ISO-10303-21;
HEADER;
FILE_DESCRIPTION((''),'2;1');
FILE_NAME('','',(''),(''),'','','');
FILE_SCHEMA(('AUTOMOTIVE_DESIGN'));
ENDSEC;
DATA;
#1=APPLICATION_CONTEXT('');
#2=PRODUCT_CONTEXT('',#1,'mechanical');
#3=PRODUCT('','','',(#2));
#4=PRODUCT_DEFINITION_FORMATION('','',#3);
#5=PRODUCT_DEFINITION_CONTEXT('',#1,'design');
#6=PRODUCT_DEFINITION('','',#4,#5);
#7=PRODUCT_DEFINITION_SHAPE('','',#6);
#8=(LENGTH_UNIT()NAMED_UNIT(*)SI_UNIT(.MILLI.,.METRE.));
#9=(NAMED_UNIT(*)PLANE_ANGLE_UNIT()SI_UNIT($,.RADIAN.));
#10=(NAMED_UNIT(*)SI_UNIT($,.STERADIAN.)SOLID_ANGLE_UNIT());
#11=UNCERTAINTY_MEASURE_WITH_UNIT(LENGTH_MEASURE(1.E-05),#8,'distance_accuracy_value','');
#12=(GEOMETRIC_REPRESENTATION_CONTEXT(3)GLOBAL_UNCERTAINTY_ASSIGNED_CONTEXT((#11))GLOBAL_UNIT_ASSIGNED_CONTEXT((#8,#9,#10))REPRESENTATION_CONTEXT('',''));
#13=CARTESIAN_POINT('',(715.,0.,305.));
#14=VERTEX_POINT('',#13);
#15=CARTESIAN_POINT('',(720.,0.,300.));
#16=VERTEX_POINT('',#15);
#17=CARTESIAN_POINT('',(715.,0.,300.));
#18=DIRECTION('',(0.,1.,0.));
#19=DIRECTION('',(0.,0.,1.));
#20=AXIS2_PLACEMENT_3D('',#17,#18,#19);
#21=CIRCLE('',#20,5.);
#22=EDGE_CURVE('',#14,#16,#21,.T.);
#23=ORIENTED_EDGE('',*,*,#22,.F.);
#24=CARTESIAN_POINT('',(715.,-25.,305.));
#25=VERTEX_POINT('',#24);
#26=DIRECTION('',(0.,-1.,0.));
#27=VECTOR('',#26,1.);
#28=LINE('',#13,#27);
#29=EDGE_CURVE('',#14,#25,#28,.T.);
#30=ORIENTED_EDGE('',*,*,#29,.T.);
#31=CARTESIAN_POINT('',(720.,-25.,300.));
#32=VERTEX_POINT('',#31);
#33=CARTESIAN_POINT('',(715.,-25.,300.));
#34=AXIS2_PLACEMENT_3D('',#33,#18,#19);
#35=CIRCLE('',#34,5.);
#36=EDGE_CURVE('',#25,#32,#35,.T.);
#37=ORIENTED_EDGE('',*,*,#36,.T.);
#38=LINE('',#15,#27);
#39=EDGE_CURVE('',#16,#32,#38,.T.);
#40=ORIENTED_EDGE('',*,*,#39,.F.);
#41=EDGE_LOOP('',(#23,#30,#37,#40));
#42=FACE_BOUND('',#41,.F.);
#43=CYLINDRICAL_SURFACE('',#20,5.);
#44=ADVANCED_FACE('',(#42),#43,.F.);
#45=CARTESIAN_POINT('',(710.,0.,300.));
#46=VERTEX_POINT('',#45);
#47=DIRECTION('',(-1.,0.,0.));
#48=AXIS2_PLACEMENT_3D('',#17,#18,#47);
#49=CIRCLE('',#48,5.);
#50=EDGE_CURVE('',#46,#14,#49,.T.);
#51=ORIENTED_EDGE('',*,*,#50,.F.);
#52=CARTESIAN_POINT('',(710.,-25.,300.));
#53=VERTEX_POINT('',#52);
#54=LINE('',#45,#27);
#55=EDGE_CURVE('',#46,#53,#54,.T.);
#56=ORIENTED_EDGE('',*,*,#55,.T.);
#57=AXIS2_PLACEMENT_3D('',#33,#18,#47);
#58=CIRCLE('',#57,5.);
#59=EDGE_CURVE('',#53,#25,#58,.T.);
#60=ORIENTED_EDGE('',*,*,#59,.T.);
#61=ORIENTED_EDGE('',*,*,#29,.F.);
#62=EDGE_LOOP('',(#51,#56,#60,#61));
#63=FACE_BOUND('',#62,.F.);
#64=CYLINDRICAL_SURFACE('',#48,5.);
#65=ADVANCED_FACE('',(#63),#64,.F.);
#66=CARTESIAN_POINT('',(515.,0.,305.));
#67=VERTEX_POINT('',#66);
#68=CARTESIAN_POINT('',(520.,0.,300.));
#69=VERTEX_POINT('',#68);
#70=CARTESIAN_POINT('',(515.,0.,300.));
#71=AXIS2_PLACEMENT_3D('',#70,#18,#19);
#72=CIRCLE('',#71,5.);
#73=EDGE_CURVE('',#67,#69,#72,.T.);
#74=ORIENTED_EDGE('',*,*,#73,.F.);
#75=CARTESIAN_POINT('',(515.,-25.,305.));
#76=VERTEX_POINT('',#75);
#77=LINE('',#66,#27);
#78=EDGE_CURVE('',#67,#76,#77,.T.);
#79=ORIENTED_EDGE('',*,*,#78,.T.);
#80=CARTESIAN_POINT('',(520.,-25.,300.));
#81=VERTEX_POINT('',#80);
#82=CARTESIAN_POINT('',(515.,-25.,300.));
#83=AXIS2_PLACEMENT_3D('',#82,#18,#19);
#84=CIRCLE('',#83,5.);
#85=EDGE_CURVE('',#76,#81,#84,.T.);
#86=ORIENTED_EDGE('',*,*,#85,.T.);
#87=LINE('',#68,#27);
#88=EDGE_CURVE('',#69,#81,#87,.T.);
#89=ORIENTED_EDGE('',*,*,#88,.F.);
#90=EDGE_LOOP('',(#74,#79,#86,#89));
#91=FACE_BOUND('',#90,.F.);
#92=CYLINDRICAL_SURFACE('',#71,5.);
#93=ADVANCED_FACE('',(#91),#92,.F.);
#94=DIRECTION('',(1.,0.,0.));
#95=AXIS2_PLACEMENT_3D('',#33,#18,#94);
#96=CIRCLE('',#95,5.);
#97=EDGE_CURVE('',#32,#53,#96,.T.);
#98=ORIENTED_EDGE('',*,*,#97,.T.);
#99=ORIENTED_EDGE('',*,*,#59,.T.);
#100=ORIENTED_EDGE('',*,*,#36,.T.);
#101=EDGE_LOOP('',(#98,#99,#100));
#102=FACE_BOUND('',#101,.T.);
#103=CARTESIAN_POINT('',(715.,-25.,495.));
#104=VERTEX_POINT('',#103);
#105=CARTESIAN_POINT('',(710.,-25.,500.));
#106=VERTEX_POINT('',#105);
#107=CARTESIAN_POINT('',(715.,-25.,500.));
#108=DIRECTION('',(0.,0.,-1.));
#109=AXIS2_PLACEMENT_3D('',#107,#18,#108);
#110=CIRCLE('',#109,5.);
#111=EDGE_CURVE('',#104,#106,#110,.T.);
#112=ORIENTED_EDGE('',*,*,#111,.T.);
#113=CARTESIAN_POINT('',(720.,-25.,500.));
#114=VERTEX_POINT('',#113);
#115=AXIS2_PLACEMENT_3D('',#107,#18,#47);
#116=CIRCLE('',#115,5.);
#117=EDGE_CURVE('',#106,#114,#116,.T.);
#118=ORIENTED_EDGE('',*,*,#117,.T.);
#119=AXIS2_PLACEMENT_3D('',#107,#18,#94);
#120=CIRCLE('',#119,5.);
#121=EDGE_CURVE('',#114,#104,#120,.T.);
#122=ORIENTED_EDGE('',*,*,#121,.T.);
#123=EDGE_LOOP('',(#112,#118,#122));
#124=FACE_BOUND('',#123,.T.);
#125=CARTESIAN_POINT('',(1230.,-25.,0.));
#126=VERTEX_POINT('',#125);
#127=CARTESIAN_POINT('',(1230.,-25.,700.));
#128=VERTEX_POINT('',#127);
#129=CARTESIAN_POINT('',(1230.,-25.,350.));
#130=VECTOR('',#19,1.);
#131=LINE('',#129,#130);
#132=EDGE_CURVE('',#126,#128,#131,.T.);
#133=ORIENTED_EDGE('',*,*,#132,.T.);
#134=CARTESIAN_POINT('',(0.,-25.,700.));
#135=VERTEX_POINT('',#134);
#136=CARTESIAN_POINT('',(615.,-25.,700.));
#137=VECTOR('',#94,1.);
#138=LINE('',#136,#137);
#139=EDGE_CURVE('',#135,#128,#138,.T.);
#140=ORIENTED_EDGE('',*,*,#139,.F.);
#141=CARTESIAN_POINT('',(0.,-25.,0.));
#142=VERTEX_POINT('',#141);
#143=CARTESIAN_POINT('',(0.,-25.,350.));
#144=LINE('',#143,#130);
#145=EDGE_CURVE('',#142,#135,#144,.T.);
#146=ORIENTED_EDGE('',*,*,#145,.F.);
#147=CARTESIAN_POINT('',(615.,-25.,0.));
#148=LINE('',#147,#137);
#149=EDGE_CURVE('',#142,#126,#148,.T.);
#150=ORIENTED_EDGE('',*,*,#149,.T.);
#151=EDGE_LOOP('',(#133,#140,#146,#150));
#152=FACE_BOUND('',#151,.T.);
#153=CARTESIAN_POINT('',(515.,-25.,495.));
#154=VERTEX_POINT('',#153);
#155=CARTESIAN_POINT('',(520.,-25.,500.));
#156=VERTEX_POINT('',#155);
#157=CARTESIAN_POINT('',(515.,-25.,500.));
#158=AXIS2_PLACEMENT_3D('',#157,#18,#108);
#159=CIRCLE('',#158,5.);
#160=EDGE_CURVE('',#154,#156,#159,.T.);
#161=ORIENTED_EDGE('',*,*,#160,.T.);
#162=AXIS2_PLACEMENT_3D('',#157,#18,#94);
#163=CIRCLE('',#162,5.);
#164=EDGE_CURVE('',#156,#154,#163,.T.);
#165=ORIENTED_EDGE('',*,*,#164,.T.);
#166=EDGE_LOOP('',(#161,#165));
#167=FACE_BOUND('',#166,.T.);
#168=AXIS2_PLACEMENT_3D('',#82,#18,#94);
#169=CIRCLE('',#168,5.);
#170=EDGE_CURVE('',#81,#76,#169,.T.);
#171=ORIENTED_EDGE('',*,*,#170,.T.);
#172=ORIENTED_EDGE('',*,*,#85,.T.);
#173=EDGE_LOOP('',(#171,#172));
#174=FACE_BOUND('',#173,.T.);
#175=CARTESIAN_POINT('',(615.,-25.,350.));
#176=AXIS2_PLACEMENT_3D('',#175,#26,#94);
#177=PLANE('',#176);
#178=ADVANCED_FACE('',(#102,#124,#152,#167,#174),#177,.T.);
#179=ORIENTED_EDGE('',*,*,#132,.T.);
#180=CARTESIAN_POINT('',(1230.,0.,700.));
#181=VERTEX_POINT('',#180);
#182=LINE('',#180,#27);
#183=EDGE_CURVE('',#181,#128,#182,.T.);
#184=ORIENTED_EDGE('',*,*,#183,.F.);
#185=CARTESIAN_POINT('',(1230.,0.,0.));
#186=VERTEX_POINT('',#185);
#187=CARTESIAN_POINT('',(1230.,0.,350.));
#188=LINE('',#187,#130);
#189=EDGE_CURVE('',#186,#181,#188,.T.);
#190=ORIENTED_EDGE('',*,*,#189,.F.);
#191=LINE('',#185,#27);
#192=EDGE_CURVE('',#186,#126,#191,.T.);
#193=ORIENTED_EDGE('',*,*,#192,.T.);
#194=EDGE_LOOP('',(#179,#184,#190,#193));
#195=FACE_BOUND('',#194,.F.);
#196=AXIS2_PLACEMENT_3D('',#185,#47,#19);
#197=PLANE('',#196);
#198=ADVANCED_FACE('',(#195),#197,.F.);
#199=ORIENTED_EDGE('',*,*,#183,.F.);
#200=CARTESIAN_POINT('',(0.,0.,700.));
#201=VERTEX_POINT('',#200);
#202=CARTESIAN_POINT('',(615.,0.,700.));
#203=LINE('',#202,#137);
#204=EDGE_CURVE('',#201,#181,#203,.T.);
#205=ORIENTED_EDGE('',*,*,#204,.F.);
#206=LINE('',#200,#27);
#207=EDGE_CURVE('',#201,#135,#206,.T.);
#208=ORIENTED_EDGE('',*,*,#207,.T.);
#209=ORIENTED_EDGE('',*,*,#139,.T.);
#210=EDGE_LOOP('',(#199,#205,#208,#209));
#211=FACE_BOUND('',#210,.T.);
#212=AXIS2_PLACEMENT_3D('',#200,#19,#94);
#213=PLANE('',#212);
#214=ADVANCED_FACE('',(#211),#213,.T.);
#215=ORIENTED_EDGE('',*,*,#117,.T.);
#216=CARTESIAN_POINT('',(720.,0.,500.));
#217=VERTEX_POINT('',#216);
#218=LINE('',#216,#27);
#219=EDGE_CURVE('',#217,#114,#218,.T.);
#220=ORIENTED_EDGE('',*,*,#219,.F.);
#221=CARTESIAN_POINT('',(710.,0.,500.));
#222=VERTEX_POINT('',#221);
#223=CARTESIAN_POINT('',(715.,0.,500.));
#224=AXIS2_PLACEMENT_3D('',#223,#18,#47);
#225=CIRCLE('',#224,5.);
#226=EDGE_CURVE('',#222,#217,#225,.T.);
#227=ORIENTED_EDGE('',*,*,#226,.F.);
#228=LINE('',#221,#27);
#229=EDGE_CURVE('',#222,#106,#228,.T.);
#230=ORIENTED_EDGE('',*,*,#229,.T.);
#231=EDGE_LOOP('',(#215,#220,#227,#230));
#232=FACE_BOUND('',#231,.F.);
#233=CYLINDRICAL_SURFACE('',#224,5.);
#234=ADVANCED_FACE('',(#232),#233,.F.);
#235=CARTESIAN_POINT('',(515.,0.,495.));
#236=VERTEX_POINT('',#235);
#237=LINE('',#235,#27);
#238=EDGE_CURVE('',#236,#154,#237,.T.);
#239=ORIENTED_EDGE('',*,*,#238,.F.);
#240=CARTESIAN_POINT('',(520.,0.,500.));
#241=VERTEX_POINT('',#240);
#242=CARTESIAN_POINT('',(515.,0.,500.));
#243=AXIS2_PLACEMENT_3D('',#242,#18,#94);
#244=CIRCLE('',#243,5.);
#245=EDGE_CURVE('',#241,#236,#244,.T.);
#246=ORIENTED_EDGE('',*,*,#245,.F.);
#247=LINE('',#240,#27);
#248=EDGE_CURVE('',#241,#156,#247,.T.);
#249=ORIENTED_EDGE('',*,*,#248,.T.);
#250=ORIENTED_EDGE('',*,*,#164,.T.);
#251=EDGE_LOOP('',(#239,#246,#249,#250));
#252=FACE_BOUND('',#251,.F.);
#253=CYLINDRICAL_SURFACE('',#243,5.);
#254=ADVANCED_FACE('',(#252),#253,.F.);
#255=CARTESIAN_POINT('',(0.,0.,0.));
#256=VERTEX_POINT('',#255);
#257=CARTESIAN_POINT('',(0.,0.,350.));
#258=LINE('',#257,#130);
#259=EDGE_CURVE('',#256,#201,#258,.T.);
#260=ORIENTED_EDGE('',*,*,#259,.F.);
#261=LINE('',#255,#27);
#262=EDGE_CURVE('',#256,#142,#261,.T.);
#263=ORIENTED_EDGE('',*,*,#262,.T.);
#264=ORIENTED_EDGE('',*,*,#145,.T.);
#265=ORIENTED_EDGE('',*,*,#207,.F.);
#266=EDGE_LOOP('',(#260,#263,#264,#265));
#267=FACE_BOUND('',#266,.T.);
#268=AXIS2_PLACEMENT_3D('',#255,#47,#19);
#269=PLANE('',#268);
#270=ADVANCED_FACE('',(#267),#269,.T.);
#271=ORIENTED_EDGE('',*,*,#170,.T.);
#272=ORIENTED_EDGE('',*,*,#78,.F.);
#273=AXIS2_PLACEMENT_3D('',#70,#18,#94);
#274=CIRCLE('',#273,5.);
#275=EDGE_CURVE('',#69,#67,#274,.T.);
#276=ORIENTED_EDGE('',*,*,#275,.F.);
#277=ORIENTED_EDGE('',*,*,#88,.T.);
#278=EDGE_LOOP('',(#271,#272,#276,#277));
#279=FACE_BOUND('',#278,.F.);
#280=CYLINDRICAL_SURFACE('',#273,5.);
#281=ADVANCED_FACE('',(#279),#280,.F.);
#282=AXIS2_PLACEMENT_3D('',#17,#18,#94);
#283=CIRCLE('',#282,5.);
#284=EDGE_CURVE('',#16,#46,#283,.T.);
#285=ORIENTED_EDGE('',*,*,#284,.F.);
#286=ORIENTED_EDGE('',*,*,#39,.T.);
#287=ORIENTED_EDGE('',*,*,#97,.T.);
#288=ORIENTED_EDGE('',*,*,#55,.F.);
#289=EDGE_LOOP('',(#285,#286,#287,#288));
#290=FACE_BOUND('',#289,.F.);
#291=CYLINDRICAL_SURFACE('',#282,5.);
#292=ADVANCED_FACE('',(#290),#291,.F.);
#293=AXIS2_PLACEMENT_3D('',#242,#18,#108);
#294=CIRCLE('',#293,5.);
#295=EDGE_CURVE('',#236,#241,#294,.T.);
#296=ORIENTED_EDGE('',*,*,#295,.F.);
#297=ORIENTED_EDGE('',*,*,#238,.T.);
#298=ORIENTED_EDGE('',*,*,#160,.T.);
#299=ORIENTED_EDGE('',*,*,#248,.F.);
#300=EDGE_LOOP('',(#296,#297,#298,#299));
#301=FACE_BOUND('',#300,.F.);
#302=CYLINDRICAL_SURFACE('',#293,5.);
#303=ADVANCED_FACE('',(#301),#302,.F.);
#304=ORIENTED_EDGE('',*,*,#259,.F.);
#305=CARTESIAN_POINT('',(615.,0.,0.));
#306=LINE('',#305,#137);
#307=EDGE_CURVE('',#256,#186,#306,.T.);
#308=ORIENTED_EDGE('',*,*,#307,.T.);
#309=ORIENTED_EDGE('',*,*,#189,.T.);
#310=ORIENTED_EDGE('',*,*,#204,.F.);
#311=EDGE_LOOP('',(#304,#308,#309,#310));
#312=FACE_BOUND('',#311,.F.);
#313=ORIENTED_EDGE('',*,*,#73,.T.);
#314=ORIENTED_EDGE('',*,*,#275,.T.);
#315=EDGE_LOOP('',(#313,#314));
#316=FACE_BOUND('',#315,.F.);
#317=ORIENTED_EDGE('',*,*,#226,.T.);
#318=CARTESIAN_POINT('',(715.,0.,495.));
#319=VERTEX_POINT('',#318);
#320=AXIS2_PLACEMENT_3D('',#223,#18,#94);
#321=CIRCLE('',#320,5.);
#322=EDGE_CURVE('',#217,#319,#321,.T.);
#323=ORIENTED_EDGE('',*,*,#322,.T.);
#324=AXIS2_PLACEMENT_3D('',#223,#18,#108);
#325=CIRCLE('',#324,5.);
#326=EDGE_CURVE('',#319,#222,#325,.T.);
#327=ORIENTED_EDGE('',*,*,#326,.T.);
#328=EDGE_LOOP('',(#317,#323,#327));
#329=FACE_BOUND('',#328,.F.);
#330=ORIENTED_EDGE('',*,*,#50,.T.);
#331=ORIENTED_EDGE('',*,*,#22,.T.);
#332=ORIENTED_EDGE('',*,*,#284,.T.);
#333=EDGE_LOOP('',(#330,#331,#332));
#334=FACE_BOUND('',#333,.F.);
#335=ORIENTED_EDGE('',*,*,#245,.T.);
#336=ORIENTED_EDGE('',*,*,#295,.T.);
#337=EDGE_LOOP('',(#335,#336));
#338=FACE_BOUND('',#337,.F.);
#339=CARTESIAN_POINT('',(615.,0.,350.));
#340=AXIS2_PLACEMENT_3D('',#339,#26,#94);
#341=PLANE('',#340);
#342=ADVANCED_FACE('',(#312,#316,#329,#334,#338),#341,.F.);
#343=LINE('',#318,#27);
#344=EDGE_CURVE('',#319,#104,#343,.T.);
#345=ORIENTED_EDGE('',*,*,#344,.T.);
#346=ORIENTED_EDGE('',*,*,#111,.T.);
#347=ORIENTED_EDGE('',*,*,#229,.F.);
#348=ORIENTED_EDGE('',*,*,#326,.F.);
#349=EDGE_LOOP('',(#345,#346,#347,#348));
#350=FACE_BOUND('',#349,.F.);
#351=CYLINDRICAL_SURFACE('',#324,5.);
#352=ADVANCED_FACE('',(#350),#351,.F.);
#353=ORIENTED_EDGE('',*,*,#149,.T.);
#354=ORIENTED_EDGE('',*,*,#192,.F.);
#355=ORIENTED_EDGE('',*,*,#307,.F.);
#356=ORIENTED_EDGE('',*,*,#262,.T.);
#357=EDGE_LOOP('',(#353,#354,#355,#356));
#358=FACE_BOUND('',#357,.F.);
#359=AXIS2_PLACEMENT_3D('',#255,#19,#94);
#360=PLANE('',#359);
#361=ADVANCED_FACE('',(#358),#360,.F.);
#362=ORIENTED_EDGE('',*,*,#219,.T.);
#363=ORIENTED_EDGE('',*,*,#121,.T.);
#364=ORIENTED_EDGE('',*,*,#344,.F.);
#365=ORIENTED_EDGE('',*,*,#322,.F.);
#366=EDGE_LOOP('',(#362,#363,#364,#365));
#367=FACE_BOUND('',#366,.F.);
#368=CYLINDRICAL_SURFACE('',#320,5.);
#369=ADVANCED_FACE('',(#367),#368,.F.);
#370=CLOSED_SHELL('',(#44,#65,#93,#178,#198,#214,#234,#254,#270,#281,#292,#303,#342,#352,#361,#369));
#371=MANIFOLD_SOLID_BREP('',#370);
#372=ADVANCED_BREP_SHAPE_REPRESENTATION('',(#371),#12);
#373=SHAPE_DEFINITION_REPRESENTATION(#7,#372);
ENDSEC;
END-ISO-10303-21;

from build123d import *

# Parameters (mm, degrees)
F0_W     = 1230
F0_H     = 700
F1_DEPTH = 25


with BuildPart() as f1:
    # F0 (on Front) → F1 (new body)
    with BuildSketch(Plane.XZ):
        with Locations((615, 350)):
            Rectangle(F0_W, F0_H)
        with BuildLine():
            ThreePointArc((515, 495), (511.4644660941, 503.5355339059), (520, 500))
            Line((520, 500), (710, 500))
            ThreePointArc((710, 500), (715, 505), (720, 500))
            ThreePointArc((720, 500), (718.5355339059, 496.4644660941), (715, 495))
            Line((715, 495), (715, 305))
            ThreePointArc((715, 305), (718.5355339059, 303.5355339059), (720, 300))
            ThreePointArc((720, 300), (715, 295), (710, 300))
            Line((710, 300), (520, 300))
            ThreePointArc((520, 300), (511.4644660941, 296.4644660941), (515, 305))
            Line((515, 305), (515, 495))
        make_face(mode=Mode.SUBTRACT)
        with BuildLine():
            Line((710, 500), (520, 500))
            ThreePointArc((520, 500), (518.5355339059, 496.4644660941), (515, 495))
            Line((515, 495), (515, 305))
            ThreePointArc((515, 305), (518.5355339059, 303.5355339059), (520, 300))
            Line((520, 300), (710, 300))
            ThreePointArc((710, 300), (711.4644660941, 303.5355339059), (715, 305))
            Line((715, 305), (715, 495))
            ThreePointArc((715, 495), (711.4644660941, 496.4644660941), (710, 500))
        make_face()
    extrude(amount=F1_DEPTH)


solid = f1.part
